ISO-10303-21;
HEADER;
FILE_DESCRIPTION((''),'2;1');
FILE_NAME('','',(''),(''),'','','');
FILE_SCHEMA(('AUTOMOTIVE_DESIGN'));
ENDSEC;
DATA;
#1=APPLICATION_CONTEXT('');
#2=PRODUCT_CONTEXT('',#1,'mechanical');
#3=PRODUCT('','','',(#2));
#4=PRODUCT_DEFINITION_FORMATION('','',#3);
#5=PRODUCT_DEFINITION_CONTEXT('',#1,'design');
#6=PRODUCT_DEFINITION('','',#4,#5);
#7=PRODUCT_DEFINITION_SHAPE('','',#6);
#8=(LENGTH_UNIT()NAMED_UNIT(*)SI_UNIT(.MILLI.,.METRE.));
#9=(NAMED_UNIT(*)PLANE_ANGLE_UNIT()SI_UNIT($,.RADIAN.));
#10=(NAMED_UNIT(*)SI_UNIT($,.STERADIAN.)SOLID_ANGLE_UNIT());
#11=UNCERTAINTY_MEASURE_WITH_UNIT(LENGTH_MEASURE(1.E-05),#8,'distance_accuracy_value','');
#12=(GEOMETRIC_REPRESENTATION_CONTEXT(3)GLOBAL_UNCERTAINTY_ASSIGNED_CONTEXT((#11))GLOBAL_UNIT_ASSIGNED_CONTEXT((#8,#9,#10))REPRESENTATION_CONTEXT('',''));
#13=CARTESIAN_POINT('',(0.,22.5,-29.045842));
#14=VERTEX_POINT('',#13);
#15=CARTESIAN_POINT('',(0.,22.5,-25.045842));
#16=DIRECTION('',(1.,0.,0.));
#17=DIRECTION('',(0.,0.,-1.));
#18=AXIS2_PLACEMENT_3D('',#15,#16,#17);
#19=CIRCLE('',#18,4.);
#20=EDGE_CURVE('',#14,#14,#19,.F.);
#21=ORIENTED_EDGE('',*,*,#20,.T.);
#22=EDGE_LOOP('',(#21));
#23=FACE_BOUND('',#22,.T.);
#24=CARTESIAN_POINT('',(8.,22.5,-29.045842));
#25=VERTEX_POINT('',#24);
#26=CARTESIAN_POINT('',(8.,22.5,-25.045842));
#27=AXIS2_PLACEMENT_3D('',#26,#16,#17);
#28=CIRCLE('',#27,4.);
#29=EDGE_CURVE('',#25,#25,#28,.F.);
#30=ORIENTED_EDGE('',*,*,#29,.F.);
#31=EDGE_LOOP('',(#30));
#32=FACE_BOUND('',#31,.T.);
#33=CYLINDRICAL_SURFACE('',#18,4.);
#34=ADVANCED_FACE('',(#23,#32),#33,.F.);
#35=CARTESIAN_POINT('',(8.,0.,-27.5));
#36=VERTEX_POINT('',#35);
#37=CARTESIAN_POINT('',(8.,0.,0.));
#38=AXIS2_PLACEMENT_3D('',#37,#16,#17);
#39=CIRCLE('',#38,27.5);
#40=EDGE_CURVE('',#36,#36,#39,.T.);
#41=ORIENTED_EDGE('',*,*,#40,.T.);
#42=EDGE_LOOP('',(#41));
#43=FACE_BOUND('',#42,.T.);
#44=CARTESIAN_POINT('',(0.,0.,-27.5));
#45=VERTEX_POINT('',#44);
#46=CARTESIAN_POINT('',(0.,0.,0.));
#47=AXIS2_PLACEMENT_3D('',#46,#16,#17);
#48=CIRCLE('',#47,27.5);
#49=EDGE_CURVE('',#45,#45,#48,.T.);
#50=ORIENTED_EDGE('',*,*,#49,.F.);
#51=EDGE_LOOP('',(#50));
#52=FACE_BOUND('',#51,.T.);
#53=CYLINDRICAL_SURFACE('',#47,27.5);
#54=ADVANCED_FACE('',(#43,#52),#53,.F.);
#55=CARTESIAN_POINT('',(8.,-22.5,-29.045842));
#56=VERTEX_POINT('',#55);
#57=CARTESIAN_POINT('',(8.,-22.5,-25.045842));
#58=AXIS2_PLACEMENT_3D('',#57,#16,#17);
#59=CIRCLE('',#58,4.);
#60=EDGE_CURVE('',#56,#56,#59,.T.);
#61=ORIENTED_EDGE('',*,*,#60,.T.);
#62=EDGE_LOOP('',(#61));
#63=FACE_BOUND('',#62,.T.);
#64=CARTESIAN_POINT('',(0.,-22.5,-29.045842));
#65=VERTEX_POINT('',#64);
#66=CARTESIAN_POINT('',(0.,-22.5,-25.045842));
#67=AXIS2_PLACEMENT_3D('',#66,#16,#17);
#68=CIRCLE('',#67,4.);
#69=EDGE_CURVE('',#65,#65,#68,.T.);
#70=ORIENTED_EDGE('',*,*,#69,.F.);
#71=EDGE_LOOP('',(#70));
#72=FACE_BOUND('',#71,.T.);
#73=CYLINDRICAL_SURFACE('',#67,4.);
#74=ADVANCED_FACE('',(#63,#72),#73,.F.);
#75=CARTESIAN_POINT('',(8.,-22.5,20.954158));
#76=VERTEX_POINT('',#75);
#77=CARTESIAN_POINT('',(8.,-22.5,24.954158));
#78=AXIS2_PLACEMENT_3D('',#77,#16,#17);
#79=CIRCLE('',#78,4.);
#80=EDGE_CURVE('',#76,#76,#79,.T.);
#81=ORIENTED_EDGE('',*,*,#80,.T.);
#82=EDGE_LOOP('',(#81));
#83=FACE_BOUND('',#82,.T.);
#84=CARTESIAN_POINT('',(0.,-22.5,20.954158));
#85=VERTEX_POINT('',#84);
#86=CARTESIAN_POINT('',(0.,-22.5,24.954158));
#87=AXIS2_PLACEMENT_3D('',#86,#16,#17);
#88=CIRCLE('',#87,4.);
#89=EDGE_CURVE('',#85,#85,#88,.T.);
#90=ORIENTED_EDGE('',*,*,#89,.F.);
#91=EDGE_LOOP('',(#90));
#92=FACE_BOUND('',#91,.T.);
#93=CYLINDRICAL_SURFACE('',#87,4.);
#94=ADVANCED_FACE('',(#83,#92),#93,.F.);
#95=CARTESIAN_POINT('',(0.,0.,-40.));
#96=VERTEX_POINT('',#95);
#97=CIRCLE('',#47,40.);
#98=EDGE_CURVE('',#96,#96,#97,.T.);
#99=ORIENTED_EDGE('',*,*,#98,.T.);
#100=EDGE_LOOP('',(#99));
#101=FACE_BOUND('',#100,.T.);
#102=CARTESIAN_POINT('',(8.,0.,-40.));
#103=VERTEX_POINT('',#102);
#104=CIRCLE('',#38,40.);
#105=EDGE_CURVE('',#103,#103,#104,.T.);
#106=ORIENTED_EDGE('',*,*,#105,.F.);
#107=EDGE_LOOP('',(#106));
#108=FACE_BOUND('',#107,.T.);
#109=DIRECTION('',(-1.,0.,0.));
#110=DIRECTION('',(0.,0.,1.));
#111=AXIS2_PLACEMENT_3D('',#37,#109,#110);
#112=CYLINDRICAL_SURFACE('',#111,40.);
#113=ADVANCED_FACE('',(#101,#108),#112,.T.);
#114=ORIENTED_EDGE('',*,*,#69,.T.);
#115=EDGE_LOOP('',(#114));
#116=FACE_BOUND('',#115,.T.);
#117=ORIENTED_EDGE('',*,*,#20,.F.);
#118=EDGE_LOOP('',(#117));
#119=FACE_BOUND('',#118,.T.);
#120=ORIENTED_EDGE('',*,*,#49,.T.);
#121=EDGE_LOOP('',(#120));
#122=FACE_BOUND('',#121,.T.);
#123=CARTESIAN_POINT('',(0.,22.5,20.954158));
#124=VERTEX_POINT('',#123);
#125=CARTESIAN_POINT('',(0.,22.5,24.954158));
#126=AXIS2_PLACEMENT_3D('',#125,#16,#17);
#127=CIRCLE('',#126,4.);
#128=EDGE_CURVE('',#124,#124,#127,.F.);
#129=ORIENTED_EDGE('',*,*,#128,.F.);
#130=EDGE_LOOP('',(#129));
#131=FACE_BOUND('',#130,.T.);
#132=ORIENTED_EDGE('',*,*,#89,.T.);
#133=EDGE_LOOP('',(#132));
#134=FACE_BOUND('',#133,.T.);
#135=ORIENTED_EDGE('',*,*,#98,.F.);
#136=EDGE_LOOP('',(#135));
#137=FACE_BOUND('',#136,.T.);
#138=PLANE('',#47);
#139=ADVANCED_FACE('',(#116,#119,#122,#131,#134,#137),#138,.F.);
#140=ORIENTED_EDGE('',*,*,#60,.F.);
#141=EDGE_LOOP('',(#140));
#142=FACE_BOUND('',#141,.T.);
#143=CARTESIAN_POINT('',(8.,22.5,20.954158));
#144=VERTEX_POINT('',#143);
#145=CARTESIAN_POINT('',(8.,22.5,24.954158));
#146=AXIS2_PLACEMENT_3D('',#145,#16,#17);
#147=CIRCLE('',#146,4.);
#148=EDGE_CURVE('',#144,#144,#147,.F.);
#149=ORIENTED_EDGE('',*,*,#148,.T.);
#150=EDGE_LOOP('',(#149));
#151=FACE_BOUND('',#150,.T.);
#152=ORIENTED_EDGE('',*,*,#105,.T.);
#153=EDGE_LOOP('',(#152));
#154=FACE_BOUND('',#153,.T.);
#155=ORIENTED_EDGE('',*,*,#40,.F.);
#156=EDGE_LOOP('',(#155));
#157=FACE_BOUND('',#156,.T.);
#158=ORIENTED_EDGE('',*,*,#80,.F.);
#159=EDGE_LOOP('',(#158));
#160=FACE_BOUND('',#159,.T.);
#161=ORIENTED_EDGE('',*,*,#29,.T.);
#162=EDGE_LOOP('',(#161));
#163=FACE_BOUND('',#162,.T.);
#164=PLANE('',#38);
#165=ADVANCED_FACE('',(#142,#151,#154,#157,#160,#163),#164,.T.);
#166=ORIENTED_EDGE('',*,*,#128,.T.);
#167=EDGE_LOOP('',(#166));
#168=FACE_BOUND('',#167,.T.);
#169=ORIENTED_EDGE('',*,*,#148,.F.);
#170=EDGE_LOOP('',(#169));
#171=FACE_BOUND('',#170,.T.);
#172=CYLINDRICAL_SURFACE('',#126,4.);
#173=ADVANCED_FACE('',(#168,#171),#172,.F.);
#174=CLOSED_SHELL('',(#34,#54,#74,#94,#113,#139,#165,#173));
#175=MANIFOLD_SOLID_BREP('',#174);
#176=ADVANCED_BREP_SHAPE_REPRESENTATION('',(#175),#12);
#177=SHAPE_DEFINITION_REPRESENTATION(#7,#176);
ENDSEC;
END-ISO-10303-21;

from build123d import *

# Parameters (mm, degrees)
SKETCH1_R           = 40
BOSS_EXTRUDE1_DEPTH = 8
SKETCH3_R           = 4
SKETCH3_R_2         = 4.000000002
CUT_EXTRUDE1_DEPTH  = 8
SKETCH4_R           = 27.5
CUT_EXTRUDE2_DEPTH  = 8


with BuildPart() as part:
    # Sketch1 → Boss-Extrude1 (new body)
    with BuildSketch(Plane(origin=(0, 0, 0), x_dir=(0, 0, -1), z_dir=(1, 0, 0))):
        Circle(SKETCH1_R)
    extrude(amount=BOSS_EXTRUDE1_DEPTH)

    # Sketch3 → Cut-Extrude1 (cut)
    with BuildSketch(Plane(origin=(8, 0, 0), x_dir=(0, 0, -1), z_dir=(1, 0, 0))):
        with Locations((-24.95415797, 22.5)):
            Circle(SKETCH3_R)
        with Locations((25.04584203, 22.500000005)):
            Circle(SKETCH3_R_2)
        with Locations((-24.95415797, -22.5)):
            Circle(SKETCH3_R)
        with Locations((25.04584203, -22.500000005)):
            Circle(SKETCH3_R_2)
    extrude(amount=-CUT_EXTRUDE1_DEPTH, mode=Mode.SUBTRACT)

    # Sketch4 → Cut-Extrude2 (cut)
    with BuildSketch(Plane(origin=(8, 0, 0), x_dir=(0, 0, -1), z_dir=(1, 0, 0))):
        Circle(SKETCH4_R)
    extrude(amount=-CUT_EXTRUDE2_DEPTH, mode=Mode.SUBTRACT)


solid = part.part
